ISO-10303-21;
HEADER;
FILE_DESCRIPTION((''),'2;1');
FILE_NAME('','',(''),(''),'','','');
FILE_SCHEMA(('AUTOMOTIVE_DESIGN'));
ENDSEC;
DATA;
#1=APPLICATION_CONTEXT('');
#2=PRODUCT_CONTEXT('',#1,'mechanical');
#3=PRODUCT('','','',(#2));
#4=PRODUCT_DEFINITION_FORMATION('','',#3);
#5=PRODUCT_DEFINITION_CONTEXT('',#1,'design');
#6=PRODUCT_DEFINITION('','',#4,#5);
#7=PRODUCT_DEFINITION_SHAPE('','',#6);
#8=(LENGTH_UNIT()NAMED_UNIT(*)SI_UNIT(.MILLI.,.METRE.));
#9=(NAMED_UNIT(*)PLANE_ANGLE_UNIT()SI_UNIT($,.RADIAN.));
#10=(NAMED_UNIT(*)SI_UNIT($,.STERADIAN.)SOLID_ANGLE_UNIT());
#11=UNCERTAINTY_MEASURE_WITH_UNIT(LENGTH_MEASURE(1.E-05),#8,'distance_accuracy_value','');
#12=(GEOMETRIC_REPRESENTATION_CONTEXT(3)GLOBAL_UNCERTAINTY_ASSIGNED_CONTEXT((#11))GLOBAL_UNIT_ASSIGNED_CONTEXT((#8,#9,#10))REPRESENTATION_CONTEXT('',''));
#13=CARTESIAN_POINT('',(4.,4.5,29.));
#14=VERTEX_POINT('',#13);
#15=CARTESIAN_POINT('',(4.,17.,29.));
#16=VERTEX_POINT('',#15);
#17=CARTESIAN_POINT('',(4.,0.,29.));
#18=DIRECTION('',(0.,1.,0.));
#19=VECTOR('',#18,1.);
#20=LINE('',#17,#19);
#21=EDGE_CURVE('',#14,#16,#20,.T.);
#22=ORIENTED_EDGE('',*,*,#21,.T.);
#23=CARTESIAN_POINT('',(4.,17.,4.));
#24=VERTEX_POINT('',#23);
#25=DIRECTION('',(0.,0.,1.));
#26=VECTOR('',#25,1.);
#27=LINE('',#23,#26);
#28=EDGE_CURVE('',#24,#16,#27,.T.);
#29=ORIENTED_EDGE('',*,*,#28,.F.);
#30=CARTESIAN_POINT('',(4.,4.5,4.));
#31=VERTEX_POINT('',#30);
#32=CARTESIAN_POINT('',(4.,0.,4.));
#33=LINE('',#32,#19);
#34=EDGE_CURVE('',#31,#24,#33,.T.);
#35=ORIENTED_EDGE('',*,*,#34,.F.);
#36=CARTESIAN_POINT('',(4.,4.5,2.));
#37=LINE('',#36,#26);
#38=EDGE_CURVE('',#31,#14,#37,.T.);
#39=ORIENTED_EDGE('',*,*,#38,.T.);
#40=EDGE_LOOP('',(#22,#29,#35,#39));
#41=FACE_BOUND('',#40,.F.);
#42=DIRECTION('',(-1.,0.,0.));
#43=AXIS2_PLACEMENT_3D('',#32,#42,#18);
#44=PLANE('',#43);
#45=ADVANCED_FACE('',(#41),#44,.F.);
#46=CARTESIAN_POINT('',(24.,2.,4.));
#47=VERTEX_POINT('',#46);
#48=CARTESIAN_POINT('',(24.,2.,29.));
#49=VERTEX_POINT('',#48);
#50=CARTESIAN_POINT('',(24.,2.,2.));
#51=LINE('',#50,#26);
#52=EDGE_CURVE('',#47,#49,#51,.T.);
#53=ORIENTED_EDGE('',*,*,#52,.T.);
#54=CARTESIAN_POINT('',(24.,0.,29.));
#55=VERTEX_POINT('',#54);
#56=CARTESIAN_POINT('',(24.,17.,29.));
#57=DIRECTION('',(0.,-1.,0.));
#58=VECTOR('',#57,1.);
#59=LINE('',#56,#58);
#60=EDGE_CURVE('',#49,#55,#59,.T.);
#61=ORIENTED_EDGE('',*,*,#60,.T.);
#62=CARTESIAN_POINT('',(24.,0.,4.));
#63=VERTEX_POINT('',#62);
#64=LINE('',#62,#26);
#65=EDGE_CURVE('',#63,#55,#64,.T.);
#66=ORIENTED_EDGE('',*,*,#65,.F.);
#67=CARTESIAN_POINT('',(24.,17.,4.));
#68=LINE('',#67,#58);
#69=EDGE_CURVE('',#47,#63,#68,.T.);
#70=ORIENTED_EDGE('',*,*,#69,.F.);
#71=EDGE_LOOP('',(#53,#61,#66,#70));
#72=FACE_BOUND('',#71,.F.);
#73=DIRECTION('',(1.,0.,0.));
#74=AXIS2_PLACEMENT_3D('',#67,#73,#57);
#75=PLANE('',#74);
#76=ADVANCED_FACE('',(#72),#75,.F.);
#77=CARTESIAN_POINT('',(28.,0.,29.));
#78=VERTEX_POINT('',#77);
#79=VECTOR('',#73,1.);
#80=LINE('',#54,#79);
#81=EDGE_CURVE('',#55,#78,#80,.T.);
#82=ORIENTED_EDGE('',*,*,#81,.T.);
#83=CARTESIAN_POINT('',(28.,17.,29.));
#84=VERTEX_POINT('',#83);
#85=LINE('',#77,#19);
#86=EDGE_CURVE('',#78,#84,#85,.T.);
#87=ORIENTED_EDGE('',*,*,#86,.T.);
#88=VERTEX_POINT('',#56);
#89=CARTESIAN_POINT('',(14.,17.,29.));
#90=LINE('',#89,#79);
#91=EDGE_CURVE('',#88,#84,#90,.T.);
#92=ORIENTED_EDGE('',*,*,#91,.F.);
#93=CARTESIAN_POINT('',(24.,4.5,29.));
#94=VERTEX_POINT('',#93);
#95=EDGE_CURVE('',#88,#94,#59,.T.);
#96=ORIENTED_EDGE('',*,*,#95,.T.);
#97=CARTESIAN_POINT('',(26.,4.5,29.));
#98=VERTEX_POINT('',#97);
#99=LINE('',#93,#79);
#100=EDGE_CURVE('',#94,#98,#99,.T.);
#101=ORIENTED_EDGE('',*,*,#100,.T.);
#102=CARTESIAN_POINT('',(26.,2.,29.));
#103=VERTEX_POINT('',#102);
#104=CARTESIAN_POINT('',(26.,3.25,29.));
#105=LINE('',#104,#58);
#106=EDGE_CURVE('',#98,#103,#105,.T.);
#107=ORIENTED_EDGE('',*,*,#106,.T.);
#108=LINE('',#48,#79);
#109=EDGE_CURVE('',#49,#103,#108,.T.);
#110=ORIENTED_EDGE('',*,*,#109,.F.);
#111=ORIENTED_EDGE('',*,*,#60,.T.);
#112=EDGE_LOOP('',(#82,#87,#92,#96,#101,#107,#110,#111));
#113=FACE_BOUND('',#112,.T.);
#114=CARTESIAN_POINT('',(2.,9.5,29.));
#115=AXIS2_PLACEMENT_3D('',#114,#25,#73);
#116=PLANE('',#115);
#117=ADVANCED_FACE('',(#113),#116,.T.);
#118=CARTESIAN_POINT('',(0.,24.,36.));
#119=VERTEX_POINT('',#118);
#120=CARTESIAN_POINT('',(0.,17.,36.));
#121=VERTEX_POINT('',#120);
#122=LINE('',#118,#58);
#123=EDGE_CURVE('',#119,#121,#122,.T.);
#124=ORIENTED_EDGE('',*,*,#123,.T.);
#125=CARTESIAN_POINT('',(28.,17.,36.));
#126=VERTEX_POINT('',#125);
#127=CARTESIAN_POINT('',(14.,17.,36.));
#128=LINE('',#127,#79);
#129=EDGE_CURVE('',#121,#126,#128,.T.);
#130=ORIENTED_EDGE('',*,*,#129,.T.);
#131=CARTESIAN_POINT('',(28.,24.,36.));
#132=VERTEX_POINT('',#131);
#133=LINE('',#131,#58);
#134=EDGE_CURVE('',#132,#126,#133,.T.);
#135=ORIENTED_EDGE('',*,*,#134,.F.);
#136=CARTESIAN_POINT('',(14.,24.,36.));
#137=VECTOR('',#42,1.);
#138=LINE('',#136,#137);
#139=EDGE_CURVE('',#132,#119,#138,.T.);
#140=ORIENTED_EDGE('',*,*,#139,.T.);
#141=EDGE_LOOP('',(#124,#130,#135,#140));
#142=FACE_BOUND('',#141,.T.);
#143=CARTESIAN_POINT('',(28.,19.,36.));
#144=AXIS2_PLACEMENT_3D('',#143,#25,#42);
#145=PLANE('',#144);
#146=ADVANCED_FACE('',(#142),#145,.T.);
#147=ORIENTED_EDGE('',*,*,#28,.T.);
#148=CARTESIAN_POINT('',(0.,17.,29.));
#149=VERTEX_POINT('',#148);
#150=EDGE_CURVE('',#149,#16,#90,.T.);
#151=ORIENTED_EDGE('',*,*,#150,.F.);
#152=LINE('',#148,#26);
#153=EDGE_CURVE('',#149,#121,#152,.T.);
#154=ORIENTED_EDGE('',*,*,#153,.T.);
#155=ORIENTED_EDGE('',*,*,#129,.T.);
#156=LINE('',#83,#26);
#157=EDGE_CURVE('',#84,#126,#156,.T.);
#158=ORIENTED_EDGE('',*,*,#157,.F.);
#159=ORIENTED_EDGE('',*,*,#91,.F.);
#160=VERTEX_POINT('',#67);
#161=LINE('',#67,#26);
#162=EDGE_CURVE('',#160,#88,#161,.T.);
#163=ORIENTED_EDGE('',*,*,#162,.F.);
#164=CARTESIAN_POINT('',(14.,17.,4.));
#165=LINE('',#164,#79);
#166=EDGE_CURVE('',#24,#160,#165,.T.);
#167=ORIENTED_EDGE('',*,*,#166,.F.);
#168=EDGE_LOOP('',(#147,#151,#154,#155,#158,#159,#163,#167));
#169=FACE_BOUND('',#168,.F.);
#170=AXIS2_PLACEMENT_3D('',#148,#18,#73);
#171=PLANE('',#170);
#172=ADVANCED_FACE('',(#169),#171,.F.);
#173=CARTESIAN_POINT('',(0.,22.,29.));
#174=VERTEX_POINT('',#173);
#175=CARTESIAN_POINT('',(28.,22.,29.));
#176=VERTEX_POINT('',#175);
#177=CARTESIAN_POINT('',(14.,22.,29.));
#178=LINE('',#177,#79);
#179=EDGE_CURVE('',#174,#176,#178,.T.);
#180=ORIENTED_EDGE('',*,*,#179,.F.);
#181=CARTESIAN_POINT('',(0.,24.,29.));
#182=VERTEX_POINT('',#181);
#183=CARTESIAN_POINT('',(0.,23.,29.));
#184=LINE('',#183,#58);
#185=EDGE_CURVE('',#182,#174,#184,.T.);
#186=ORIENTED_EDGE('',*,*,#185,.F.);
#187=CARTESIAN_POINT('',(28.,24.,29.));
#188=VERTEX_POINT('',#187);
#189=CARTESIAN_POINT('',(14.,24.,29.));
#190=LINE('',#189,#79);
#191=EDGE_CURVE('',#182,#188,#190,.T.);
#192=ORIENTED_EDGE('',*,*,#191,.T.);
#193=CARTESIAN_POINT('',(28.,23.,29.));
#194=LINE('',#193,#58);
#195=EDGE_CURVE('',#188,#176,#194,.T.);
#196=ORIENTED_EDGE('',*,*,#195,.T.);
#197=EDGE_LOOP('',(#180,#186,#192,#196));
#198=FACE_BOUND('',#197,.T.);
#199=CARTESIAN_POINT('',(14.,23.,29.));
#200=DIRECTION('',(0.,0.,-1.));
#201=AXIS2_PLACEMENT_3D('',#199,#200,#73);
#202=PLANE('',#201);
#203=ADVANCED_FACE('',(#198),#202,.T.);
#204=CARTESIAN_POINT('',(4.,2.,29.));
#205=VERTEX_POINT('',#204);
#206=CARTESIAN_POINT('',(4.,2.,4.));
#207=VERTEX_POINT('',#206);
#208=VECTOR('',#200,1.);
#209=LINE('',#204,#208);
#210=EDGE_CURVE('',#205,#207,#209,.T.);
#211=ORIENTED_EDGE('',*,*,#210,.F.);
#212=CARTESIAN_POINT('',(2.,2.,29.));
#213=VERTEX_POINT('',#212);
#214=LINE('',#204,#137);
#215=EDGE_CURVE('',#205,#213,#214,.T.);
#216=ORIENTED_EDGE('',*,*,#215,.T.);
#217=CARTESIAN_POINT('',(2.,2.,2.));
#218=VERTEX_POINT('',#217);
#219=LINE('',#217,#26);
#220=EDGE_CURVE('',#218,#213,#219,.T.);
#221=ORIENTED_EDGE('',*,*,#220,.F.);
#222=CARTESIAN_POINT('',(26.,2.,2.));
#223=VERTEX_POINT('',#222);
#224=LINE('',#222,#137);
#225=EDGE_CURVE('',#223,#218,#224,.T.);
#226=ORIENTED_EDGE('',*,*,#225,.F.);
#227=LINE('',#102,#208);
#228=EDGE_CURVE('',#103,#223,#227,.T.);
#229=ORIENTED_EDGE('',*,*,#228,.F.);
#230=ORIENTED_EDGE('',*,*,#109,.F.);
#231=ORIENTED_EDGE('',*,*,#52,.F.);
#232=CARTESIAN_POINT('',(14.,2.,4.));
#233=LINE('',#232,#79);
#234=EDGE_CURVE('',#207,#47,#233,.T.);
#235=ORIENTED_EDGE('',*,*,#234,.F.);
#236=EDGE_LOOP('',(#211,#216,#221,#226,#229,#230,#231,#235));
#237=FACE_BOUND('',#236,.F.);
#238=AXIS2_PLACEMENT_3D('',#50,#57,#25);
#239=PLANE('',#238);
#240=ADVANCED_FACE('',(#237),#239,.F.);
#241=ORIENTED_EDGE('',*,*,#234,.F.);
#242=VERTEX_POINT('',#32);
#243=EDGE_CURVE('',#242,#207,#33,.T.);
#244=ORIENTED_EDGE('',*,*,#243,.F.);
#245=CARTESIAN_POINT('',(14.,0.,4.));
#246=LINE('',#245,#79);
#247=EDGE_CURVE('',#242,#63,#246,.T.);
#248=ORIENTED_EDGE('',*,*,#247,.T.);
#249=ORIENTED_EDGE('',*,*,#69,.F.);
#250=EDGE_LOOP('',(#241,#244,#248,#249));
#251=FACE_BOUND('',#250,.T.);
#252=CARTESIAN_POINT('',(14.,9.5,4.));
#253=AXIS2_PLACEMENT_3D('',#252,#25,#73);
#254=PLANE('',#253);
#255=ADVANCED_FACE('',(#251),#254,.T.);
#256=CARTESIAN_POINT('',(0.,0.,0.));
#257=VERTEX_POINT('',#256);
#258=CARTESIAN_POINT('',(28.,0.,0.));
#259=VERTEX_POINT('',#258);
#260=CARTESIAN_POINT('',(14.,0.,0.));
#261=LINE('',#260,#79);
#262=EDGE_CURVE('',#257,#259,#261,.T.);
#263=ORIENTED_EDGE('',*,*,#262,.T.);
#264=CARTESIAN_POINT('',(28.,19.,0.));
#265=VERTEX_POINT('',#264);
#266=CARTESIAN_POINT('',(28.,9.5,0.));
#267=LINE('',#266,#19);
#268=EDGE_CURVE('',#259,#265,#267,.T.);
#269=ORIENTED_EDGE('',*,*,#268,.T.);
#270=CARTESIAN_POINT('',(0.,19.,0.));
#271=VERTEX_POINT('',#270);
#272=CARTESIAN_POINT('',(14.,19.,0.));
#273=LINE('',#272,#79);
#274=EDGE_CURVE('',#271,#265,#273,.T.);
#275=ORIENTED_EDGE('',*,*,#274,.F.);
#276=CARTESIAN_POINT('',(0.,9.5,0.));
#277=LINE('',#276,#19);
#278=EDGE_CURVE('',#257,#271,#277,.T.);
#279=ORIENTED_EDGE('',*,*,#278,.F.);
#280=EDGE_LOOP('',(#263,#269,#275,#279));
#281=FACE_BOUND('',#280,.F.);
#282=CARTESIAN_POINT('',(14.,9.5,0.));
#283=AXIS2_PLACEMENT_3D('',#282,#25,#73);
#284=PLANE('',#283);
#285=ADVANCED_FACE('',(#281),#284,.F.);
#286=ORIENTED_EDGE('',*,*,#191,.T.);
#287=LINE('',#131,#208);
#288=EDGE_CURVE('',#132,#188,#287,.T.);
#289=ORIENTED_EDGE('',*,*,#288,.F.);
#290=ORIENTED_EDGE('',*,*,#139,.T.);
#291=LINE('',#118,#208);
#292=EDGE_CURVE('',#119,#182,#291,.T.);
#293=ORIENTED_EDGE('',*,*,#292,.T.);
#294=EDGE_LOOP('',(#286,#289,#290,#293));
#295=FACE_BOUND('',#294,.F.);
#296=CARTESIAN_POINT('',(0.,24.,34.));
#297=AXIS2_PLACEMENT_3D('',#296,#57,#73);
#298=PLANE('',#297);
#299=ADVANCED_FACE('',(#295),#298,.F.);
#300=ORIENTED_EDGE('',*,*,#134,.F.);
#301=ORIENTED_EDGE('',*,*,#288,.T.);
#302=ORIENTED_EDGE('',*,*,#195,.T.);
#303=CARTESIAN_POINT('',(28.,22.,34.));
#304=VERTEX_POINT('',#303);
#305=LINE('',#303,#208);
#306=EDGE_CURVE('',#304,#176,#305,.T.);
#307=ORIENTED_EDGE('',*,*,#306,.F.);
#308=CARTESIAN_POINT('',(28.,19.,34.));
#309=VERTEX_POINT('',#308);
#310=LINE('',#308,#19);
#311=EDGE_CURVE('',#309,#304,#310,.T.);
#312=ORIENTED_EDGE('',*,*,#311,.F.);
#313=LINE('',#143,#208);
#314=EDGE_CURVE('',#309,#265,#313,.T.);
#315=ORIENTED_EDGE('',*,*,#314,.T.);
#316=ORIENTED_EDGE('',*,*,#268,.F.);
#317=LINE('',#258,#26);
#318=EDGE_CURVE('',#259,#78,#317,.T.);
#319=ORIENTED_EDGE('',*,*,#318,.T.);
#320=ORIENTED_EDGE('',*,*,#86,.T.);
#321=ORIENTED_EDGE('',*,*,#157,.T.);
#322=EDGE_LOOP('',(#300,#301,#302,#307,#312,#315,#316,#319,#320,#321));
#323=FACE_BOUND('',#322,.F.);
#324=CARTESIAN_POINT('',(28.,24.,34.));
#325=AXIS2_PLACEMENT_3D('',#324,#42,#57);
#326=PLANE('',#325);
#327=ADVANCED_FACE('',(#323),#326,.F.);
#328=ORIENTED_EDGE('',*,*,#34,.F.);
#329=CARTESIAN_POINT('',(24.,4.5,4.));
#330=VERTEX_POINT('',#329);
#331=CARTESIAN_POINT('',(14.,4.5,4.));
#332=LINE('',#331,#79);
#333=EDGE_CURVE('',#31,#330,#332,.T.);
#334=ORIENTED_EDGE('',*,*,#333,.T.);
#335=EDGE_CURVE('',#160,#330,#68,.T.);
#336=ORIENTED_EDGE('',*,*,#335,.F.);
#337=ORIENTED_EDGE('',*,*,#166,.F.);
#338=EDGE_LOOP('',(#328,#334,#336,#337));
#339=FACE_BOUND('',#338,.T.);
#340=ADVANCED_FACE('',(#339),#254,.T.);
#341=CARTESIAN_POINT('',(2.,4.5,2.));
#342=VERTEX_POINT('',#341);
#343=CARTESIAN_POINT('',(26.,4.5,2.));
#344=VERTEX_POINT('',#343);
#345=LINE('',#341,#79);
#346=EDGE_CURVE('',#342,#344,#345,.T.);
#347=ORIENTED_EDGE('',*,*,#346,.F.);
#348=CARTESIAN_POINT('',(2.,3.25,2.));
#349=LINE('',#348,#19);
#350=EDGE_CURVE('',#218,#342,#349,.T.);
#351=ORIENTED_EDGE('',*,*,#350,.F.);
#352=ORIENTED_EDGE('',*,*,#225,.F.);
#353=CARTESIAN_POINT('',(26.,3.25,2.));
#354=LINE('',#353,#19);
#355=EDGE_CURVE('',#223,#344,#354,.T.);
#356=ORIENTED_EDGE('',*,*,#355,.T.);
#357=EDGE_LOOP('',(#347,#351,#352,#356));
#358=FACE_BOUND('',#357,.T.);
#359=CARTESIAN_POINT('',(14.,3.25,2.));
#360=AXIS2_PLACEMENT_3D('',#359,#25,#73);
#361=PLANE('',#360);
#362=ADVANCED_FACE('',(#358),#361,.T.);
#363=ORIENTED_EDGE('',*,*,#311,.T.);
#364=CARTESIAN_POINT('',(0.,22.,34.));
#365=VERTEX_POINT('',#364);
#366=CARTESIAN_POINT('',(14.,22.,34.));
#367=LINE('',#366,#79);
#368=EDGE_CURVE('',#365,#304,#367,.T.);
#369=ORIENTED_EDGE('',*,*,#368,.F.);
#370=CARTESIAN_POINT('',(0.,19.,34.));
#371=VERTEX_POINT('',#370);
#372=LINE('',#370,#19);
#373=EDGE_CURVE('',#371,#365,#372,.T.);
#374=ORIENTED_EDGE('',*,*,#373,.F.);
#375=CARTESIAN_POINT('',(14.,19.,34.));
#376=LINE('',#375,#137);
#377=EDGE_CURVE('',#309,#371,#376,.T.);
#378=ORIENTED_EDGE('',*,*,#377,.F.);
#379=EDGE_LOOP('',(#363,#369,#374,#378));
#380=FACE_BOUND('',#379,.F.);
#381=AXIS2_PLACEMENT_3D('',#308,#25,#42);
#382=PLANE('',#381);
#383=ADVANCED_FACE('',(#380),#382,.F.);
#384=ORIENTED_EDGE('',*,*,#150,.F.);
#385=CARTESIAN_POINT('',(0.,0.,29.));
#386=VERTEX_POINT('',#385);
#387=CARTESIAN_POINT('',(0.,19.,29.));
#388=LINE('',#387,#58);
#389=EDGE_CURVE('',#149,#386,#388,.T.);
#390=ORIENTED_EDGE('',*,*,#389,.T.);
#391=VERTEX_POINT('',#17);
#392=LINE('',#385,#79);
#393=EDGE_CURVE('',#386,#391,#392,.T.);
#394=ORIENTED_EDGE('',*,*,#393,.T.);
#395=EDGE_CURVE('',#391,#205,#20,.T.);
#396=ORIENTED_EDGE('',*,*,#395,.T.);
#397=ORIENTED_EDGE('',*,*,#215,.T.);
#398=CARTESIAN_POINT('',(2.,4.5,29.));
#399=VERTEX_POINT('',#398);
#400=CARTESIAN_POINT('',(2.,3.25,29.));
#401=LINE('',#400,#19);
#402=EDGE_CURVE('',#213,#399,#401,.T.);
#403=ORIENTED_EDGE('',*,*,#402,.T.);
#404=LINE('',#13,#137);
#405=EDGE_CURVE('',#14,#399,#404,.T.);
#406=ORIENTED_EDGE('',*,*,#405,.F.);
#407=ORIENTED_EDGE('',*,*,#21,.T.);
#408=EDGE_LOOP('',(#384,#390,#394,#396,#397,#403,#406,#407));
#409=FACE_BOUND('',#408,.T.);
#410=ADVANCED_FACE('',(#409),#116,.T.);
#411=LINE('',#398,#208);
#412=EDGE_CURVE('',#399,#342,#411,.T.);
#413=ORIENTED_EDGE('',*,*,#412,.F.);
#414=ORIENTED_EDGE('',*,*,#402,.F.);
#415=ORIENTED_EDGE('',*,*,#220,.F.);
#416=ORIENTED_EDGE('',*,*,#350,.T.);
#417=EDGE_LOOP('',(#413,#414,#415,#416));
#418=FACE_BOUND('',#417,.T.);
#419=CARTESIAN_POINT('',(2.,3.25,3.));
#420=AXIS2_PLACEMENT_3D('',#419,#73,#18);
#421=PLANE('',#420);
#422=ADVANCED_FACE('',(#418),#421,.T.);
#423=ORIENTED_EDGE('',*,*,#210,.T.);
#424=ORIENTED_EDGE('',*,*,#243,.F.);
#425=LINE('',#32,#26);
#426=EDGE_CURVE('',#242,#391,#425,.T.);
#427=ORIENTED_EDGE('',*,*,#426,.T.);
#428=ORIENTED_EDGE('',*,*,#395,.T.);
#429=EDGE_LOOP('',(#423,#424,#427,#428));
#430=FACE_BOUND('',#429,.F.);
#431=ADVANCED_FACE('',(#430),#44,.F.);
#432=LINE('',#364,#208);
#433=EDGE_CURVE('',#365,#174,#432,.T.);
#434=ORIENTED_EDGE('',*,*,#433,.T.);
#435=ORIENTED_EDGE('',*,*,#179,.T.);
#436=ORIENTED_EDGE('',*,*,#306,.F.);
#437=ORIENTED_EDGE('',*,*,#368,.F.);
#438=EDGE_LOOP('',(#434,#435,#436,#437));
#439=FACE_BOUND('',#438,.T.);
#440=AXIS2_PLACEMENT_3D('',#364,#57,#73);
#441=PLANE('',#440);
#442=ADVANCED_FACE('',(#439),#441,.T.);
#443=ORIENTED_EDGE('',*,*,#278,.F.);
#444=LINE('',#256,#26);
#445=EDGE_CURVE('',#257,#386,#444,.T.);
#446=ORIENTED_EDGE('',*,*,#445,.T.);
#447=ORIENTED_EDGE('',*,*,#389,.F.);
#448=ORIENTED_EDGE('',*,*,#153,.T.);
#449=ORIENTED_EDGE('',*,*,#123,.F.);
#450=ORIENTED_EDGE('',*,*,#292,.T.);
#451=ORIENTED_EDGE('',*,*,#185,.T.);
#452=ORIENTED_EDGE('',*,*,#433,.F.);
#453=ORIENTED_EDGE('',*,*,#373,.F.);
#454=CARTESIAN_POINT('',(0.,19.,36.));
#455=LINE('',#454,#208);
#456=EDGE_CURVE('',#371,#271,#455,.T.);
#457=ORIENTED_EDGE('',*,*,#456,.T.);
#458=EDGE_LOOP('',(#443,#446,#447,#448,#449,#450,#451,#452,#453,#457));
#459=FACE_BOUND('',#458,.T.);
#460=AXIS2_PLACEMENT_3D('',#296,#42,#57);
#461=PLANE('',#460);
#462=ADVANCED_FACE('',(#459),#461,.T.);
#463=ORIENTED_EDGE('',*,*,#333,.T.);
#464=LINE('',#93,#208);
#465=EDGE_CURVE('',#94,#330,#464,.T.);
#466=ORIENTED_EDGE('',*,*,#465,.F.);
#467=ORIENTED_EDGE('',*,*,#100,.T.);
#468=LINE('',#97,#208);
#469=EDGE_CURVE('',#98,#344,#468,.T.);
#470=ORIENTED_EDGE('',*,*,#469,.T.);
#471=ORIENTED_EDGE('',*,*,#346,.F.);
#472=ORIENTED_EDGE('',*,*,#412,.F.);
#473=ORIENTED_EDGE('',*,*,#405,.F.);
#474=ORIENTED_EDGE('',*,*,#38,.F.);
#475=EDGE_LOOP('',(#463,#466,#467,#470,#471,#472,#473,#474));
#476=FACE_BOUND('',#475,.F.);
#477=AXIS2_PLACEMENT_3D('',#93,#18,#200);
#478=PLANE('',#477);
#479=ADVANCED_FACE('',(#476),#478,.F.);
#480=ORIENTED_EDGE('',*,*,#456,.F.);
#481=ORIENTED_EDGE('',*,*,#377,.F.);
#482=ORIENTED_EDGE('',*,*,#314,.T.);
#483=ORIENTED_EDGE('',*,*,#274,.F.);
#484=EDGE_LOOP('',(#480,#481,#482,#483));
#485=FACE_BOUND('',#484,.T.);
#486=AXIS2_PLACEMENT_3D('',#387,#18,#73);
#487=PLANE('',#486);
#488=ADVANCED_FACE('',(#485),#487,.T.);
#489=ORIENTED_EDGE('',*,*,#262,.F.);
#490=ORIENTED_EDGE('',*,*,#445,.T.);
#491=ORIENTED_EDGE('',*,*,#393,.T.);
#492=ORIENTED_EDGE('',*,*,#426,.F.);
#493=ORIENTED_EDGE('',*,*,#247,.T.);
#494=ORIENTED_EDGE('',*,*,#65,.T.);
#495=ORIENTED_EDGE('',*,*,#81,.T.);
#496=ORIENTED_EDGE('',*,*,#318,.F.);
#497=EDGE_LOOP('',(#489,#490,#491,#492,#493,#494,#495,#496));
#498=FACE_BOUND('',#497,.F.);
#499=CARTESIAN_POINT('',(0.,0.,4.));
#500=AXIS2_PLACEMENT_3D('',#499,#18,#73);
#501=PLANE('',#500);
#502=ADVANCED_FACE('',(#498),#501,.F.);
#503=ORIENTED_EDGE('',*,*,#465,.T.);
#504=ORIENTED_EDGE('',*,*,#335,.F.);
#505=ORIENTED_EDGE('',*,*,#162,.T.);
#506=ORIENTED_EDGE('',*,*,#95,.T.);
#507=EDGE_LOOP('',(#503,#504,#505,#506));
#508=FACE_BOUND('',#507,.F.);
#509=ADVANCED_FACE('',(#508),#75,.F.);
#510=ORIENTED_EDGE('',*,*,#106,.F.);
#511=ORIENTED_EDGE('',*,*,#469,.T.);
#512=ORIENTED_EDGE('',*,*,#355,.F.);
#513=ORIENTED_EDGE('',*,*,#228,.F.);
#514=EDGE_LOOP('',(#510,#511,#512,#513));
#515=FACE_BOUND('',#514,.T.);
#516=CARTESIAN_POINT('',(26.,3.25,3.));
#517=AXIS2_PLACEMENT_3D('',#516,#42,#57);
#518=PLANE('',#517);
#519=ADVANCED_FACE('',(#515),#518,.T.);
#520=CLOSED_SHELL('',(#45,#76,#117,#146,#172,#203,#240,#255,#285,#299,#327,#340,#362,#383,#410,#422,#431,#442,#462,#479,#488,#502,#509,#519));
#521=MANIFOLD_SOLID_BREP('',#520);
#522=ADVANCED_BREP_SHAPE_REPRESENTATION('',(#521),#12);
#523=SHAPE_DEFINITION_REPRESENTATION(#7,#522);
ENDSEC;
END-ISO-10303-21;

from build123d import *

# Parameters (mm, degrees)
F0_W      = 28
F0_H      = 19
F1_DEPTH  = 4
F2_W      = 20
F2_H      = 2
F3_DEPTH  = 25
F4_W      = 24
F4_H      = 2.5
F5_DEPTH  = 2
F6_W      = 2.5
F6_H      = 2
F6_H_2    = 25
F7_DEPTH  = 2
F8_W      = 2.5
F8_H      = 2
F8_H_2    = 25
F9_DEPTH  = 2
F10_W     = 28
F10_H     = 2
F11_DEPTH = 7
F12_W     = 28
F12_H     = 2
F13_DEPTH = 5
F14_W     = 28
F14_H     = 2
F15_DEPTH = 5


with BuildPart() as f1:
    # F0 (on Top) → F1 (new body)
    with BuildSketch(Plane.XY):
        with Locations((14, 9.5)):
            Rectangle(F0_W, F0_H)
    extrude(amount=F1_DEPTH)

    # F2 (on face) → F3 (join)
    with BuildSketch(Plane.XY.offset(4)):
        Polygon((0, 19), (0, 0), (4, 0), (4, 17), (4, 19), align=None)
        with Locations((14, 18)):
            Rectangle(F2_W, F2_H)
        Polygon((24, 19), (24, 17), (24, 0), (28, 0), (28, 19), align=None)
    extrude(amount=F3_DEPTH)

    # F4 (on face) → F5 (cut)
    with BuildSketch(Plane.XY.offset(4)):
        with Locations((14, 3.25)):
            Rectangle(F4_W, F4_H)
    extrude(amount=-F5_DEPTH, mode=Mode.SUBTRACT)

    # F6 (on face) → F7 (cut)
    with BuildSketch(Plane(origin=(24, 0, 0), x_dir=(0, -1, 0), z_dir=(-1, 0, 0))):
        with Locations((-3.25, 3)):
            Rectangle(F6_W, F6_H)
        with Locations((-3.25, 16.5)):
            Rectangle(F6_W, F6_H_2)
    extrude(amount=-F7_DEPTH, mode=Mode.SUBTRACT)

    # F8 (on face) → F9 (cut)
    with BuildSketch(Plane.YZ.offset(4)):
        with Locations((3.25, 3)):
            Rectangle(F8_W, F8_H)
        with Locations((3.25, 16.5)):
            Rectangle(F8_W, F8_H_2)
    extrude(amount=-F9_DEPTH, mode=Mode.SUBTRACT)

    # F10 (on face) → F11 (join)
    with BuildSketch(Plane.XY.offset(29)):
        with Locations((14, 18)):
            Rectangle(F10_W, F10_H)
    extrude(amount=F11_DEPTH)

    # F12 (on face) → F13 (join)
    with BuildSketch(Plane(origin=(0, 19, 0), x_dir=(-1, 0, 0), z_dir=(0, 1, 0))):
        with Locations((-14, 35)):
            Rectangle(F12_W, F12_H)
    extrude(amount=F13_DEPTH)

    # F14 (on face) → F15 (join)
    with BuildSketch(Plane(origin=(0, 0, 34), x_dir=(1, 0, 0), z_dir=(0, 0, -1))):
        with Locations((14, -23)):
            Rectangle(F14_W, F14_H)
    extrude(amount=F15_DEPTH)


solid = f1.part
